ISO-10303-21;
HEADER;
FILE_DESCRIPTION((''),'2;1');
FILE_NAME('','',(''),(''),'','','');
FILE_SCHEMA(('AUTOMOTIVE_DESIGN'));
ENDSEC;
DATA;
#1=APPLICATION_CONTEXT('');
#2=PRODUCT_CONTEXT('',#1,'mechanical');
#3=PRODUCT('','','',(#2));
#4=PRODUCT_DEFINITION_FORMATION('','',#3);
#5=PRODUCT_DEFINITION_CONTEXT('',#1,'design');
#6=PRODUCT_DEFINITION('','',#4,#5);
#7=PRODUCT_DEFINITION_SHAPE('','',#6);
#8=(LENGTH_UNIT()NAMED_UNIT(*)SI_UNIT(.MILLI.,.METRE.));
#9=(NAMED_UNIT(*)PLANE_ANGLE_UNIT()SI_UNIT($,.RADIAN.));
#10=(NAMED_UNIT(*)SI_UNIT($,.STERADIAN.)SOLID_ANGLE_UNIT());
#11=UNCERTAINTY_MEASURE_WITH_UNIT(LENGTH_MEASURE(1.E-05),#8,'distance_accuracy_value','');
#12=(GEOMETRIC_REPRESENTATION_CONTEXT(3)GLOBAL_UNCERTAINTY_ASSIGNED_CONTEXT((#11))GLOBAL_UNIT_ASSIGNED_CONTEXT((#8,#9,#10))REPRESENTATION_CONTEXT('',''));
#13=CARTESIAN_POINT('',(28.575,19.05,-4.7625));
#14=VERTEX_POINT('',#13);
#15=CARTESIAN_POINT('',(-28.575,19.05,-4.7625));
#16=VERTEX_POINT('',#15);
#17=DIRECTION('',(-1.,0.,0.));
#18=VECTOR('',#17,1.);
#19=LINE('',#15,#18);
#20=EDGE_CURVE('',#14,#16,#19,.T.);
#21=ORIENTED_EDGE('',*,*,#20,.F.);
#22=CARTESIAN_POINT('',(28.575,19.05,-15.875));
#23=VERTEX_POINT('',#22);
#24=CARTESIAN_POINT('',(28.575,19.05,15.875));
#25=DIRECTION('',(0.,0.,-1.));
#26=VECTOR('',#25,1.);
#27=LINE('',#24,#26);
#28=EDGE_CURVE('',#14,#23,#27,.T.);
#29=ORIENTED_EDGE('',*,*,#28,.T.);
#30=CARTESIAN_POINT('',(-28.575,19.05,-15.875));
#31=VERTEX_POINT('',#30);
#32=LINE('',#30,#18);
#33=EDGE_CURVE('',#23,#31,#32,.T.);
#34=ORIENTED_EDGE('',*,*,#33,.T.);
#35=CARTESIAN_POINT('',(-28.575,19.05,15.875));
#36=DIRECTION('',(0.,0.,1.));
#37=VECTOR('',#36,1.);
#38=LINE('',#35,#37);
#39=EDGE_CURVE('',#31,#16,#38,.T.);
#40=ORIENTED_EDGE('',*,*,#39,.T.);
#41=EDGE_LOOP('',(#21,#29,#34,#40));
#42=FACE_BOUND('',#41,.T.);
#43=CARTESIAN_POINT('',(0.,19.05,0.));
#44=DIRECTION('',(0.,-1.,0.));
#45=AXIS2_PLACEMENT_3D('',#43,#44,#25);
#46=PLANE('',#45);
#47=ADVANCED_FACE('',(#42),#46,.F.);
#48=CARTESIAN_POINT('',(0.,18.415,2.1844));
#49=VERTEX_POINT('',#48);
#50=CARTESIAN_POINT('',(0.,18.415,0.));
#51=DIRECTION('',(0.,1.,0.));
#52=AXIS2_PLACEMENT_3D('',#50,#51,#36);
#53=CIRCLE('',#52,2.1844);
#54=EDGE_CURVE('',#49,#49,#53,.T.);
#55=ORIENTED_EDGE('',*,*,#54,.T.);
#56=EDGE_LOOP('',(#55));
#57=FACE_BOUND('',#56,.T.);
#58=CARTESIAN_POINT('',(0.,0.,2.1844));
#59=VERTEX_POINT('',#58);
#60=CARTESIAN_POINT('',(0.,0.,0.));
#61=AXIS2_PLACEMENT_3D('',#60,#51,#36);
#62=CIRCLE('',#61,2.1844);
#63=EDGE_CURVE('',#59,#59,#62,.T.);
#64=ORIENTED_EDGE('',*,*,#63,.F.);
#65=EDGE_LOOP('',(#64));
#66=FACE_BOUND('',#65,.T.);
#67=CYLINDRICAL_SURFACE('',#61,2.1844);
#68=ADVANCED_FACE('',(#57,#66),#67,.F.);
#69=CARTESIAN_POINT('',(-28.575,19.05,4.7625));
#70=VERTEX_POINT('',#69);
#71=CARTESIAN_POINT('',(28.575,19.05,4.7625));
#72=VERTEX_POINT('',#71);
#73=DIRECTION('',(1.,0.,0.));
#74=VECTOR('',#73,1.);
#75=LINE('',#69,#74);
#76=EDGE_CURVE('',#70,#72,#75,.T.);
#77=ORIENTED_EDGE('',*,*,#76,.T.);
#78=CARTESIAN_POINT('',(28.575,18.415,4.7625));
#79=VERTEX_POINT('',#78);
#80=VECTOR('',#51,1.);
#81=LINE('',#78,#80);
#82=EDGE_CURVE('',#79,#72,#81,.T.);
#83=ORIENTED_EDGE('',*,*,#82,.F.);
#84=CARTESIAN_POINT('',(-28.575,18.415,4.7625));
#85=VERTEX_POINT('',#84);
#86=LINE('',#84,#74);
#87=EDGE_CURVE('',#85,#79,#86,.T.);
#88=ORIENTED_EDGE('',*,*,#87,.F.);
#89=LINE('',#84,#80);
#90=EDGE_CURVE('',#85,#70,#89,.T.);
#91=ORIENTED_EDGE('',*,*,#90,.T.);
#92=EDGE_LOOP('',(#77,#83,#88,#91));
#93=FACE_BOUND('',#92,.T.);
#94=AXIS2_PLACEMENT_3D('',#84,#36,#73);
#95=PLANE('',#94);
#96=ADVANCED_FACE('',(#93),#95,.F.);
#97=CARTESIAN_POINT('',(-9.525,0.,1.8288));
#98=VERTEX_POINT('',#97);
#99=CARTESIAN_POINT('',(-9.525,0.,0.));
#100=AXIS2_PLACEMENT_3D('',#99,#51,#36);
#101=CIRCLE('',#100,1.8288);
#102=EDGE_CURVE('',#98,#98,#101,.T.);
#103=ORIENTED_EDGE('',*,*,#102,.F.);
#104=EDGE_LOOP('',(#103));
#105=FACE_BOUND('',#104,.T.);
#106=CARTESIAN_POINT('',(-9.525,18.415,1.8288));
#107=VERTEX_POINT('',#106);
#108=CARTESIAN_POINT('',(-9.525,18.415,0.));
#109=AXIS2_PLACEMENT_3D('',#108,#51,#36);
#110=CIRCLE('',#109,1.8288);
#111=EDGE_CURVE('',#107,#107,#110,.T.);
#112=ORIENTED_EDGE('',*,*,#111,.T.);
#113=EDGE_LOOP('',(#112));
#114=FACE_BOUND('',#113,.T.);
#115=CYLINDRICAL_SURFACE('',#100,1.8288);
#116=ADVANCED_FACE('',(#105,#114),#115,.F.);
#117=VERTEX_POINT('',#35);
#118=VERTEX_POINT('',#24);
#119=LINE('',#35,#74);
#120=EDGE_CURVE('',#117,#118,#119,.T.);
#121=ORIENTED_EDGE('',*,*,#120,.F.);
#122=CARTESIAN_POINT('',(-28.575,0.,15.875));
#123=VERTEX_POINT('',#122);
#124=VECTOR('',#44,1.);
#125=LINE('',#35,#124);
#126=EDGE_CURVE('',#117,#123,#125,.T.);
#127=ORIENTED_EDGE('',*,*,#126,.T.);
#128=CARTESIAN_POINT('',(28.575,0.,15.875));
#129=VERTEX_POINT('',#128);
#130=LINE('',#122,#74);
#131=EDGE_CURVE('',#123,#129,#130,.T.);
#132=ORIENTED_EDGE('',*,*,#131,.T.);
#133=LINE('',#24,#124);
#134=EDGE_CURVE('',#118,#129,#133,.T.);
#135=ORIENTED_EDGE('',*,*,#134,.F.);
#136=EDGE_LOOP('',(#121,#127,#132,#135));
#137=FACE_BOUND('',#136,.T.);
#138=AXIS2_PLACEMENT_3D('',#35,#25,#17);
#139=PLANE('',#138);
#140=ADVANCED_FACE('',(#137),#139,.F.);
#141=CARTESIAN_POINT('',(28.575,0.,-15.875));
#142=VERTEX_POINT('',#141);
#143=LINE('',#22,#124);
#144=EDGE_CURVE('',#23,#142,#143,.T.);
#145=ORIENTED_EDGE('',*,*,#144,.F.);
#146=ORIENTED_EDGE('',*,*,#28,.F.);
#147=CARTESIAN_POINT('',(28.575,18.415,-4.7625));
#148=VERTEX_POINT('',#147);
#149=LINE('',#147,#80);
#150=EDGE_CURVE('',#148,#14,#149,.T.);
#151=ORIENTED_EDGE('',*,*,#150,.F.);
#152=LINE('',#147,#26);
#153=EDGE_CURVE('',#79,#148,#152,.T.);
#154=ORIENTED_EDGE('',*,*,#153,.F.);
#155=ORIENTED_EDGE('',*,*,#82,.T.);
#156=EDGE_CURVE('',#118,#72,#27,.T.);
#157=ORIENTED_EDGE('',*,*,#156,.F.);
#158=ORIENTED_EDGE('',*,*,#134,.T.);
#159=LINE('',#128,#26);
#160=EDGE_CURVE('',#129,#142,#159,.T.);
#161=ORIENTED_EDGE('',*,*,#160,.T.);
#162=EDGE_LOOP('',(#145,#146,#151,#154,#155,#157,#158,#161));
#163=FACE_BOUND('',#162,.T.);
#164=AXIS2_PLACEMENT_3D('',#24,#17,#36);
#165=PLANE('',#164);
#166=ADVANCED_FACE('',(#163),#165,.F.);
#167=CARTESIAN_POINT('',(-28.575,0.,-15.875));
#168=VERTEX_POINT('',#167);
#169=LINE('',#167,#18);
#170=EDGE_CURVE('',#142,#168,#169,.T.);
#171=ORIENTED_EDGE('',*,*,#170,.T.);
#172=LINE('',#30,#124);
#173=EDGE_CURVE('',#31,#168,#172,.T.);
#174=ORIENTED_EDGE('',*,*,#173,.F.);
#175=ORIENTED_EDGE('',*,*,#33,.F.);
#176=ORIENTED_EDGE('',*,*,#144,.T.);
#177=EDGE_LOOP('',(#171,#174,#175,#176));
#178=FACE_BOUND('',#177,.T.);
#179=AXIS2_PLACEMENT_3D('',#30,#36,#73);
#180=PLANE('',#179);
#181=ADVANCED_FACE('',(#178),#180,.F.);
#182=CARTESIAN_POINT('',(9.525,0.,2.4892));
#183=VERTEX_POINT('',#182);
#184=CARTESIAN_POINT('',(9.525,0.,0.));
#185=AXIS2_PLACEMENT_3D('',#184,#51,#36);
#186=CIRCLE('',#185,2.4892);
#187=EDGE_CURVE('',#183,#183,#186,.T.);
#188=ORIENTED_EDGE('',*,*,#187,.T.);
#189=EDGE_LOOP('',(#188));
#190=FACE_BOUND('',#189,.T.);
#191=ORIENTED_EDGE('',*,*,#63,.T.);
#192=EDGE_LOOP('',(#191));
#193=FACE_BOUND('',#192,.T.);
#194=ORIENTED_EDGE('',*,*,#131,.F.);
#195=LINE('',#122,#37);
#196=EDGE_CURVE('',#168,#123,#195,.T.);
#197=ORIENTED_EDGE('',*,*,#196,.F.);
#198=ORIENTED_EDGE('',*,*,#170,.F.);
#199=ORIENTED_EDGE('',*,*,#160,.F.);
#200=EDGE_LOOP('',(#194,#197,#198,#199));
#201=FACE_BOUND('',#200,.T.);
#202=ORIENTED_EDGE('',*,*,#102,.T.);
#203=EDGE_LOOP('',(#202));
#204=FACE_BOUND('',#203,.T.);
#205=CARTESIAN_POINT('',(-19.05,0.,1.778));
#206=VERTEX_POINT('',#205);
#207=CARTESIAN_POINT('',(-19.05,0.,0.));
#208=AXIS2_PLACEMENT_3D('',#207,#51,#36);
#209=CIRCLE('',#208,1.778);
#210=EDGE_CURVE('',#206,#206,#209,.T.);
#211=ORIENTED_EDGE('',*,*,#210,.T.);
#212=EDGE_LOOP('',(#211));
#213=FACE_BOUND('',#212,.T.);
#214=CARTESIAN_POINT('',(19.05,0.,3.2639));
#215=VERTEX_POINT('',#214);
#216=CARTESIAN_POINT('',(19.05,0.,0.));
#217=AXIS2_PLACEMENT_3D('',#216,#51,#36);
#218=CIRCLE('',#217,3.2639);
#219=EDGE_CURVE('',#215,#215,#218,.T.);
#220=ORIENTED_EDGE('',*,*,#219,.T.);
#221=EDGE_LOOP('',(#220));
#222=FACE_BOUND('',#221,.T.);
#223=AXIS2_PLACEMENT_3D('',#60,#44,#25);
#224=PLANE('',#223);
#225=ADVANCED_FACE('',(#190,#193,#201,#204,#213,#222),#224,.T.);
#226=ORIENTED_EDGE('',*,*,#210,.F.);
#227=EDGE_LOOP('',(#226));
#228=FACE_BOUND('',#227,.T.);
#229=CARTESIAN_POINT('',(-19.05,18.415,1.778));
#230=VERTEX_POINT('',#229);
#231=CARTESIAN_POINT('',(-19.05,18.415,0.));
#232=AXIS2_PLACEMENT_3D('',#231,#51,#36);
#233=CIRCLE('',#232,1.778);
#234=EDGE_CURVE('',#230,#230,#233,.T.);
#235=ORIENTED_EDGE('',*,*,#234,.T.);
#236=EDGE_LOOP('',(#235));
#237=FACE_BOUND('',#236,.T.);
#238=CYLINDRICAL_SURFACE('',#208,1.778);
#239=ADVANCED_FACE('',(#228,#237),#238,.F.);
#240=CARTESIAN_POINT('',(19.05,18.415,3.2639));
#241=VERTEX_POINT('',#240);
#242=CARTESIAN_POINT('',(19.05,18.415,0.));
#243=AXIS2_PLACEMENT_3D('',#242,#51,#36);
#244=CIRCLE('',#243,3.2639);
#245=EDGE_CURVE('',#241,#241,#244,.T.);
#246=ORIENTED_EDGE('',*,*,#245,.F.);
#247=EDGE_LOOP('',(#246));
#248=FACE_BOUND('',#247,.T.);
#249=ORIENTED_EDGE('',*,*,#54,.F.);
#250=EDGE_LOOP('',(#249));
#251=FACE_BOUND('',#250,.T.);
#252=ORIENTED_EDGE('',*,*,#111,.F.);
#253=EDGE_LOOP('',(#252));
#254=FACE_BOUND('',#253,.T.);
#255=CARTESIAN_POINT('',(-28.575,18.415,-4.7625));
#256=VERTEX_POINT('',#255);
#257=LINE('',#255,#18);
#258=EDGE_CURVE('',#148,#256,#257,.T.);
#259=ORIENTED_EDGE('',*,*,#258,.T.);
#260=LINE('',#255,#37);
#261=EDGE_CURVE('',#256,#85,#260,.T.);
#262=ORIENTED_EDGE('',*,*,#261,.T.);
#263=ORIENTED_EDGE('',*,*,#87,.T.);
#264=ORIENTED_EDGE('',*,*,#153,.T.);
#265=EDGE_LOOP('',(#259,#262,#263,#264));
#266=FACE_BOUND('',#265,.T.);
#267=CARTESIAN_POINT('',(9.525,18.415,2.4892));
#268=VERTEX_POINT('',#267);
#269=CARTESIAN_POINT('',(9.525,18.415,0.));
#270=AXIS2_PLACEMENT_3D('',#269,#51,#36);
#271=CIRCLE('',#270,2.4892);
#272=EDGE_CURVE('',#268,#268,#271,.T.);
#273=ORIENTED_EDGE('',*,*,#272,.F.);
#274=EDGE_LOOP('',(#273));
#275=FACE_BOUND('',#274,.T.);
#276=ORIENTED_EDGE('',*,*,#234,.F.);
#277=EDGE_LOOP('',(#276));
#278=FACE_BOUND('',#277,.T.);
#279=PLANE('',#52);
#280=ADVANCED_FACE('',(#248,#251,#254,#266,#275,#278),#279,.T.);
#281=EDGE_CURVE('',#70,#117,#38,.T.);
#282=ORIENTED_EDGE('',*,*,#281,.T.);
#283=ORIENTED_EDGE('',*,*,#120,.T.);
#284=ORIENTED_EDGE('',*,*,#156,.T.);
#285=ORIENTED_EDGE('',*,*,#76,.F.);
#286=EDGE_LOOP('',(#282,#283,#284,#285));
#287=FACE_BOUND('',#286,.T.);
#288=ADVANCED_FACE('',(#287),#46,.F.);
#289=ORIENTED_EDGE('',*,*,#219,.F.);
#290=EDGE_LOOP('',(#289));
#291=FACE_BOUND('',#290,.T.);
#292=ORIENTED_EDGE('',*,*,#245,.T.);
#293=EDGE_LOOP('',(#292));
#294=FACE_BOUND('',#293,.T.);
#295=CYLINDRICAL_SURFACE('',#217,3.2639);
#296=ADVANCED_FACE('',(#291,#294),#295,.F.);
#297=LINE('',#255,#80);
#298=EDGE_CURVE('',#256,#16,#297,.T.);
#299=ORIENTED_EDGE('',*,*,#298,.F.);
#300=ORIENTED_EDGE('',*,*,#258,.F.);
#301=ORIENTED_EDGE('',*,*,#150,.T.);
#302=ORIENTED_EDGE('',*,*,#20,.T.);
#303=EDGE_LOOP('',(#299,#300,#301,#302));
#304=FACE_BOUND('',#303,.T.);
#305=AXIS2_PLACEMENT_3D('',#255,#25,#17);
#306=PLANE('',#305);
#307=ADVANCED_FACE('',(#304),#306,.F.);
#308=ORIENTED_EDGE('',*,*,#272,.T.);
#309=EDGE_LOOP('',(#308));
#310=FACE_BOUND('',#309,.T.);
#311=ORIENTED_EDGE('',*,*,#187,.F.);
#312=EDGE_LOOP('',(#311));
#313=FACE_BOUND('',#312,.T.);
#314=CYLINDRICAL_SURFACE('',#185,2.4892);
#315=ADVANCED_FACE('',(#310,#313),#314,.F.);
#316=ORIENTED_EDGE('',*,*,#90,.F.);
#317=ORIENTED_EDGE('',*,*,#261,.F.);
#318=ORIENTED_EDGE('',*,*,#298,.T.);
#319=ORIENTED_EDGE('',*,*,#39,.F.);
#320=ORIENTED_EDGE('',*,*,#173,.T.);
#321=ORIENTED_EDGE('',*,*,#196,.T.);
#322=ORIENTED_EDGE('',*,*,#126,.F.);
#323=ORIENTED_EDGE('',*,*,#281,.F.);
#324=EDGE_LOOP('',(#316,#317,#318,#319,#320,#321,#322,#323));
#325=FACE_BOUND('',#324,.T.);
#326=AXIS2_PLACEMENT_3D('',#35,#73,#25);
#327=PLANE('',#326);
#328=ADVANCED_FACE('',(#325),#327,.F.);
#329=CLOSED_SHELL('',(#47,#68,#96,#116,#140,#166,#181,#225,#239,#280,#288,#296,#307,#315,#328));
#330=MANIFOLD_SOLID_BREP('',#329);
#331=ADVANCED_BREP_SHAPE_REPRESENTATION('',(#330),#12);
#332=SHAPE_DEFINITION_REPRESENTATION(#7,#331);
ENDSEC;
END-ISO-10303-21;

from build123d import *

# Parameters (mm, degrees)
SKETCH1_W           = 57.15
SKETCH1_H           = 31.75
BOSS_EXTRUDE1_DEPTH = 19.05
SKETCH2_W           = 57.15
SKETCH2_H           = 9.525
CUT_EXTRUDE1_DEPTH  = 0.635
SKETCH3_R           = 1.778
SKETCH3_R_2         = 1.8288
SKETCH3_R_3         = 2.1844
SKETCH3_R_4         = 2.4892
SKETCH3_R_5         = 3.2639
CUT_EXTRUDE2_DEPTH  = 38.518774967


with BuildPart() as part:
    # Sketch1 → Boss-Extrude1 (new body)
    with BuildSketch(Plane(origin=(0, 0, 0), x_dir=(1, 0, 0), z_dir=(0, 1, 0))):
        Rectangle(SKETCH1_W, SKETCH1_H)
    extrude(amount=BOSS_EXTRUDE1_DEPTH)

    # Sketch2 → Cut-Extrude1 (cut)
    with BuildSketch(Plane(origin=(0, 19.05, 0), x_dir=(1, 0, 0), z_dir=(0, 1, 0))):
        Rectangle(SKETCH2_W, SKETCH2_H)
    extrude(amount=-CUT_EXTRUDE1_DEPTH, mode=Mode.SUBTRACT)

    # Sketch3 → Cut-Extrude2 (cut, through all)
    with BuildSketch(Plane(origin=(0, 18.415, 0), x_dir=(1, 0, 0), z_dir=(0, 1, 0))):
        with Locations(Location((-19.05, 0, 0), (0, 0, 270))):
            Circle(SKETCH3_R)
        with Locations(Location((-9.525, 0, 0), (0, 0, 270))):
            Circle(SKETCH3_R_2)
        with Locations(Location((0, 0, 0), (0, 0, 270))):
            Circle(SKETCH3_R_3)
        with Locations(Location((9.525, 0, 0), (0, 0, 270))):
            Circle(SKETCH3_R_4)
        with Locations(Location((19.05, 0, 0), (0, 0, 270))):
            Circle(SKETCH3_R_5)
    extrude(amount=-CUT_EXTRUDE2_DEPTH, mode=Mode.SUBTRACT)


solid = part.part
